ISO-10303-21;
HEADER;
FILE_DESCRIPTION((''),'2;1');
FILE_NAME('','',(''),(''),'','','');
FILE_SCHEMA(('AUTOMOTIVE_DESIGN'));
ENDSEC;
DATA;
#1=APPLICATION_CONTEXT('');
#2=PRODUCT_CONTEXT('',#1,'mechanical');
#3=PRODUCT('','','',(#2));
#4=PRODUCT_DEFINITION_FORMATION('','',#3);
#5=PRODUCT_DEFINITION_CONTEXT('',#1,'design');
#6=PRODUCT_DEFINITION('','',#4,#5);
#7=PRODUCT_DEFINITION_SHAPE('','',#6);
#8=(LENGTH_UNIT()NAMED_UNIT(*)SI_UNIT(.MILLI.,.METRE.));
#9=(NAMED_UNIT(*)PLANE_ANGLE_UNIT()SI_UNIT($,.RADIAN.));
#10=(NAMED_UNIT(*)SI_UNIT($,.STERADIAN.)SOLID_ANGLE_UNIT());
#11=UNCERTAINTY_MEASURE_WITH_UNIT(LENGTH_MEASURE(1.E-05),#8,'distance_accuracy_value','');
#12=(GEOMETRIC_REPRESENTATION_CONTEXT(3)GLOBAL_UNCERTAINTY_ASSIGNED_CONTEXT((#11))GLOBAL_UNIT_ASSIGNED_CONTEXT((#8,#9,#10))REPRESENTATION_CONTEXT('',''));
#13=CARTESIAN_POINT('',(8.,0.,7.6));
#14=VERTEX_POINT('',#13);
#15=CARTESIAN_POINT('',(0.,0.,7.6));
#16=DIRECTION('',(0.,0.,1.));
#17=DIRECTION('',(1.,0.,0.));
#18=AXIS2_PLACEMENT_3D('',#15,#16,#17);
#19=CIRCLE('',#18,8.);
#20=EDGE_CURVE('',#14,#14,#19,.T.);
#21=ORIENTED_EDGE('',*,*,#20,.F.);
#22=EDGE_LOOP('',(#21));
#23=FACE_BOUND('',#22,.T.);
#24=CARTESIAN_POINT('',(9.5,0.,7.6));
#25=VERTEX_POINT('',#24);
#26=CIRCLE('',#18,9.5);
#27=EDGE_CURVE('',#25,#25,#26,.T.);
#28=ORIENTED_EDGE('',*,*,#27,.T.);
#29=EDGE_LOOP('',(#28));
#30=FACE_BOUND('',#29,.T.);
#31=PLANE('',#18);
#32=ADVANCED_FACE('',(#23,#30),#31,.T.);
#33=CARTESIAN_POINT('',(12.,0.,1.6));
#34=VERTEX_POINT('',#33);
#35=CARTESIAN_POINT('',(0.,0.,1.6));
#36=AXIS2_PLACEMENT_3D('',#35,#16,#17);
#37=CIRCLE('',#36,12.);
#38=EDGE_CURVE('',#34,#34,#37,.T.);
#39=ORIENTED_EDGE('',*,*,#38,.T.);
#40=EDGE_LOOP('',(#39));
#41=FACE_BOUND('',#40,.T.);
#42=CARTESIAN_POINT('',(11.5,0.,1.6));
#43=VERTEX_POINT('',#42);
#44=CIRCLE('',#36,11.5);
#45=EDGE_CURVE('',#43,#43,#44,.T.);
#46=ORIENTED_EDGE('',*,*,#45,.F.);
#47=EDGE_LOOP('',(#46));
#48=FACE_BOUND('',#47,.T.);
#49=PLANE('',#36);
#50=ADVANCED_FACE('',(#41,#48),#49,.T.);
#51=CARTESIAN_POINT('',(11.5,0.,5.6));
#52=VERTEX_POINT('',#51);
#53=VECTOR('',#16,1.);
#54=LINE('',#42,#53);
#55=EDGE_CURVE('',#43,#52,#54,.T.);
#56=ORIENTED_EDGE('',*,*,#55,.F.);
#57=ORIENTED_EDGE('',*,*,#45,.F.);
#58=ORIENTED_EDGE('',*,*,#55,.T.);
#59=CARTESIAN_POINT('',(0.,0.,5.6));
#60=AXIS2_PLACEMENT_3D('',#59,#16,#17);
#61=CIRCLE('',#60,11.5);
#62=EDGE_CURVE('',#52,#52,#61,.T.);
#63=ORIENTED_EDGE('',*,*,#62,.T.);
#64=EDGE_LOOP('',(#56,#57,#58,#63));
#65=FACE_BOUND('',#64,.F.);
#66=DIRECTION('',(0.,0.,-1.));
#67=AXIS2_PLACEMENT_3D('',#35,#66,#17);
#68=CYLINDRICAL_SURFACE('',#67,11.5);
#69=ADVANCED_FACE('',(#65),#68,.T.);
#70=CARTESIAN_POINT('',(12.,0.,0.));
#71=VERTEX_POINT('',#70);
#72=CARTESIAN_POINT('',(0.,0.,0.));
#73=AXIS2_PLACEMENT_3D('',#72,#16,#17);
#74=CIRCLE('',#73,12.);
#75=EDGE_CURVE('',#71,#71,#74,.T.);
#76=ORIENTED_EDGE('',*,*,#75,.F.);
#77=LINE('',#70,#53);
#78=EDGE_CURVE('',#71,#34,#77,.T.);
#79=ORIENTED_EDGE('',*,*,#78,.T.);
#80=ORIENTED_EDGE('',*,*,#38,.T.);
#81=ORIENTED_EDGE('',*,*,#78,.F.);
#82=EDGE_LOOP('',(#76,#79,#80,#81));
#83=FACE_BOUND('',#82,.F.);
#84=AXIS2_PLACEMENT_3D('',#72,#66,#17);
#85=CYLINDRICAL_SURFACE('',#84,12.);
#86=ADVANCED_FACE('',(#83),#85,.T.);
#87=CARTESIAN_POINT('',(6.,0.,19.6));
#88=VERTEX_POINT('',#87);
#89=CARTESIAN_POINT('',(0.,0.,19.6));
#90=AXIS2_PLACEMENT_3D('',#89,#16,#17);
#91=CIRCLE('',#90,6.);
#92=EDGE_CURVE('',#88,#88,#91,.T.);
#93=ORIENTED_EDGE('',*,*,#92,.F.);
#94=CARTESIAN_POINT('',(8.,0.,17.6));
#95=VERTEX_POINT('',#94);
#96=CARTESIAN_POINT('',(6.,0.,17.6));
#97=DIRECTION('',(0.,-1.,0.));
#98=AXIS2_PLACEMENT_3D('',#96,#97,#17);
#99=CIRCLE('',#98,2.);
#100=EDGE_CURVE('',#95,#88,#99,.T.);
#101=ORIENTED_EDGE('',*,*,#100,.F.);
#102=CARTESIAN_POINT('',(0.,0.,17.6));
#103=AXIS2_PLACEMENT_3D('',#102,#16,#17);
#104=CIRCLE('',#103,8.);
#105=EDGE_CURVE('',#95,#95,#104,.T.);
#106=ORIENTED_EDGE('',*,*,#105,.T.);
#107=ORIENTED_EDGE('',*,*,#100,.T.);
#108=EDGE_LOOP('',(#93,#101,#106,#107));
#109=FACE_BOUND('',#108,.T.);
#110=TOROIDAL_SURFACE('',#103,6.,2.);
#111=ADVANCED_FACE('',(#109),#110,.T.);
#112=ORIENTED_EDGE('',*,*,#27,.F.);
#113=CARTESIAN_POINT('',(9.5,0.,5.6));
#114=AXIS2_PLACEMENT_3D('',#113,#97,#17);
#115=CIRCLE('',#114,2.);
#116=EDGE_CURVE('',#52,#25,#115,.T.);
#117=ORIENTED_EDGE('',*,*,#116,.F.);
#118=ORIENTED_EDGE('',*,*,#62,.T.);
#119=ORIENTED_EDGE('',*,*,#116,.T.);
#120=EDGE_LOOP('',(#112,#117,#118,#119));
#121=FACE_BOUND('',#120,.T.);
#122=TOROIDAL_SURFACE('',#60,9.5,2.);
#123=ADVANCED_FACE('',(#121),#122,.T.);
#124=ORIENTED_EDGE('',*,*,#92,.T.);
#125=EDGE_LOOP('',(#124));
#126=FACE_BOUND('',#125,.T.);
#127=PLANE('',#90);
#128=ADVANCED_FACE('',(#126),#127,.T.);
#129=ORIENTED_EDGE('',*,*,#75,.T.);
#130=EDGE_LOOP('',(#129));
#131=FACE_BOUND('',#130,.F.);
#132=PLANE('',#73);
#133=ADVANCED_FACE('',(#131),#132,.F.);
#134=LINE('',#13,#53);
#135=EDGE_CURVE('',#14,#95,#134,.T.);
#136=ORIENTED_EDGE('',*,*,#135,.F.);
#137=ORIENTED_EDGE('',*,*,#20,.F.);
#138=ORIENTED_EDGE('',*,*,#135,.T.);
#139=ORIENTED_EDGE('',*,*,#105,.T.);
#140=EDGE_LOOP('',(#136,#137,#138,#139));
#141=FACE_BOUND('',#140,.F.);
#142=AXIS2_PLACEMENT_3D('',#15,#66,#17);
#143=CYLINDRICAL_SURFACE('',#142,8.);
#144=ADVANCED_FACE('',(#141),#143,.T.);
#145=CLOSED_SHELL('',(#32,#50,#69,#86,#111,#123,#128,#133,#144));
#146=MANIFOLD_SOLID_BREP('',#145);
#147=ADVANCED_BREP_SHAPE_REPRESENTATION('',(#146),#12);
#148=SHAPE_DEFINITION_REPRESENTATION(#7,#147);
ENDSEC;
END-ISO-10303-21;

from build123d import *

# Parameters (mm, degrees)
F0_R     = 12
F1_DEPTH = 1.6
F2_R     = 11.5
F3_DEPTH = 6
F4_R     = 8
F5_DEPTH = 12
F6_R     = 2


with BuildPart() as f1:
    # F0 (on Top) → F1 (new body)
    with BuildSketch(Plane.XY):
        Circle(F0_R)
    extrude(amount=F1_DEPTH)

    # F2 (on face) → F3 (join)
    with BuildSketch(Plane.XY.offset(1.6)):
        Circle(F2_R)
    extrude(amount=F3_DEPTH)

    # F4 (on face) → F5 (join)
    with BuildSketch(Plane.XY.offset(7.6)):
        Circle(F4_R)
    extrude(amount=F5_DEPTH)

    # F6
    f6_edges = [f1.edges().sort_by_distance(p)[0] for p in [
        (-11.5, 0, 7.6),
        (-8, 0, 19.6),
    ]]
    fillet(f6_edges, radius=F6_R)


solid = f1.part
